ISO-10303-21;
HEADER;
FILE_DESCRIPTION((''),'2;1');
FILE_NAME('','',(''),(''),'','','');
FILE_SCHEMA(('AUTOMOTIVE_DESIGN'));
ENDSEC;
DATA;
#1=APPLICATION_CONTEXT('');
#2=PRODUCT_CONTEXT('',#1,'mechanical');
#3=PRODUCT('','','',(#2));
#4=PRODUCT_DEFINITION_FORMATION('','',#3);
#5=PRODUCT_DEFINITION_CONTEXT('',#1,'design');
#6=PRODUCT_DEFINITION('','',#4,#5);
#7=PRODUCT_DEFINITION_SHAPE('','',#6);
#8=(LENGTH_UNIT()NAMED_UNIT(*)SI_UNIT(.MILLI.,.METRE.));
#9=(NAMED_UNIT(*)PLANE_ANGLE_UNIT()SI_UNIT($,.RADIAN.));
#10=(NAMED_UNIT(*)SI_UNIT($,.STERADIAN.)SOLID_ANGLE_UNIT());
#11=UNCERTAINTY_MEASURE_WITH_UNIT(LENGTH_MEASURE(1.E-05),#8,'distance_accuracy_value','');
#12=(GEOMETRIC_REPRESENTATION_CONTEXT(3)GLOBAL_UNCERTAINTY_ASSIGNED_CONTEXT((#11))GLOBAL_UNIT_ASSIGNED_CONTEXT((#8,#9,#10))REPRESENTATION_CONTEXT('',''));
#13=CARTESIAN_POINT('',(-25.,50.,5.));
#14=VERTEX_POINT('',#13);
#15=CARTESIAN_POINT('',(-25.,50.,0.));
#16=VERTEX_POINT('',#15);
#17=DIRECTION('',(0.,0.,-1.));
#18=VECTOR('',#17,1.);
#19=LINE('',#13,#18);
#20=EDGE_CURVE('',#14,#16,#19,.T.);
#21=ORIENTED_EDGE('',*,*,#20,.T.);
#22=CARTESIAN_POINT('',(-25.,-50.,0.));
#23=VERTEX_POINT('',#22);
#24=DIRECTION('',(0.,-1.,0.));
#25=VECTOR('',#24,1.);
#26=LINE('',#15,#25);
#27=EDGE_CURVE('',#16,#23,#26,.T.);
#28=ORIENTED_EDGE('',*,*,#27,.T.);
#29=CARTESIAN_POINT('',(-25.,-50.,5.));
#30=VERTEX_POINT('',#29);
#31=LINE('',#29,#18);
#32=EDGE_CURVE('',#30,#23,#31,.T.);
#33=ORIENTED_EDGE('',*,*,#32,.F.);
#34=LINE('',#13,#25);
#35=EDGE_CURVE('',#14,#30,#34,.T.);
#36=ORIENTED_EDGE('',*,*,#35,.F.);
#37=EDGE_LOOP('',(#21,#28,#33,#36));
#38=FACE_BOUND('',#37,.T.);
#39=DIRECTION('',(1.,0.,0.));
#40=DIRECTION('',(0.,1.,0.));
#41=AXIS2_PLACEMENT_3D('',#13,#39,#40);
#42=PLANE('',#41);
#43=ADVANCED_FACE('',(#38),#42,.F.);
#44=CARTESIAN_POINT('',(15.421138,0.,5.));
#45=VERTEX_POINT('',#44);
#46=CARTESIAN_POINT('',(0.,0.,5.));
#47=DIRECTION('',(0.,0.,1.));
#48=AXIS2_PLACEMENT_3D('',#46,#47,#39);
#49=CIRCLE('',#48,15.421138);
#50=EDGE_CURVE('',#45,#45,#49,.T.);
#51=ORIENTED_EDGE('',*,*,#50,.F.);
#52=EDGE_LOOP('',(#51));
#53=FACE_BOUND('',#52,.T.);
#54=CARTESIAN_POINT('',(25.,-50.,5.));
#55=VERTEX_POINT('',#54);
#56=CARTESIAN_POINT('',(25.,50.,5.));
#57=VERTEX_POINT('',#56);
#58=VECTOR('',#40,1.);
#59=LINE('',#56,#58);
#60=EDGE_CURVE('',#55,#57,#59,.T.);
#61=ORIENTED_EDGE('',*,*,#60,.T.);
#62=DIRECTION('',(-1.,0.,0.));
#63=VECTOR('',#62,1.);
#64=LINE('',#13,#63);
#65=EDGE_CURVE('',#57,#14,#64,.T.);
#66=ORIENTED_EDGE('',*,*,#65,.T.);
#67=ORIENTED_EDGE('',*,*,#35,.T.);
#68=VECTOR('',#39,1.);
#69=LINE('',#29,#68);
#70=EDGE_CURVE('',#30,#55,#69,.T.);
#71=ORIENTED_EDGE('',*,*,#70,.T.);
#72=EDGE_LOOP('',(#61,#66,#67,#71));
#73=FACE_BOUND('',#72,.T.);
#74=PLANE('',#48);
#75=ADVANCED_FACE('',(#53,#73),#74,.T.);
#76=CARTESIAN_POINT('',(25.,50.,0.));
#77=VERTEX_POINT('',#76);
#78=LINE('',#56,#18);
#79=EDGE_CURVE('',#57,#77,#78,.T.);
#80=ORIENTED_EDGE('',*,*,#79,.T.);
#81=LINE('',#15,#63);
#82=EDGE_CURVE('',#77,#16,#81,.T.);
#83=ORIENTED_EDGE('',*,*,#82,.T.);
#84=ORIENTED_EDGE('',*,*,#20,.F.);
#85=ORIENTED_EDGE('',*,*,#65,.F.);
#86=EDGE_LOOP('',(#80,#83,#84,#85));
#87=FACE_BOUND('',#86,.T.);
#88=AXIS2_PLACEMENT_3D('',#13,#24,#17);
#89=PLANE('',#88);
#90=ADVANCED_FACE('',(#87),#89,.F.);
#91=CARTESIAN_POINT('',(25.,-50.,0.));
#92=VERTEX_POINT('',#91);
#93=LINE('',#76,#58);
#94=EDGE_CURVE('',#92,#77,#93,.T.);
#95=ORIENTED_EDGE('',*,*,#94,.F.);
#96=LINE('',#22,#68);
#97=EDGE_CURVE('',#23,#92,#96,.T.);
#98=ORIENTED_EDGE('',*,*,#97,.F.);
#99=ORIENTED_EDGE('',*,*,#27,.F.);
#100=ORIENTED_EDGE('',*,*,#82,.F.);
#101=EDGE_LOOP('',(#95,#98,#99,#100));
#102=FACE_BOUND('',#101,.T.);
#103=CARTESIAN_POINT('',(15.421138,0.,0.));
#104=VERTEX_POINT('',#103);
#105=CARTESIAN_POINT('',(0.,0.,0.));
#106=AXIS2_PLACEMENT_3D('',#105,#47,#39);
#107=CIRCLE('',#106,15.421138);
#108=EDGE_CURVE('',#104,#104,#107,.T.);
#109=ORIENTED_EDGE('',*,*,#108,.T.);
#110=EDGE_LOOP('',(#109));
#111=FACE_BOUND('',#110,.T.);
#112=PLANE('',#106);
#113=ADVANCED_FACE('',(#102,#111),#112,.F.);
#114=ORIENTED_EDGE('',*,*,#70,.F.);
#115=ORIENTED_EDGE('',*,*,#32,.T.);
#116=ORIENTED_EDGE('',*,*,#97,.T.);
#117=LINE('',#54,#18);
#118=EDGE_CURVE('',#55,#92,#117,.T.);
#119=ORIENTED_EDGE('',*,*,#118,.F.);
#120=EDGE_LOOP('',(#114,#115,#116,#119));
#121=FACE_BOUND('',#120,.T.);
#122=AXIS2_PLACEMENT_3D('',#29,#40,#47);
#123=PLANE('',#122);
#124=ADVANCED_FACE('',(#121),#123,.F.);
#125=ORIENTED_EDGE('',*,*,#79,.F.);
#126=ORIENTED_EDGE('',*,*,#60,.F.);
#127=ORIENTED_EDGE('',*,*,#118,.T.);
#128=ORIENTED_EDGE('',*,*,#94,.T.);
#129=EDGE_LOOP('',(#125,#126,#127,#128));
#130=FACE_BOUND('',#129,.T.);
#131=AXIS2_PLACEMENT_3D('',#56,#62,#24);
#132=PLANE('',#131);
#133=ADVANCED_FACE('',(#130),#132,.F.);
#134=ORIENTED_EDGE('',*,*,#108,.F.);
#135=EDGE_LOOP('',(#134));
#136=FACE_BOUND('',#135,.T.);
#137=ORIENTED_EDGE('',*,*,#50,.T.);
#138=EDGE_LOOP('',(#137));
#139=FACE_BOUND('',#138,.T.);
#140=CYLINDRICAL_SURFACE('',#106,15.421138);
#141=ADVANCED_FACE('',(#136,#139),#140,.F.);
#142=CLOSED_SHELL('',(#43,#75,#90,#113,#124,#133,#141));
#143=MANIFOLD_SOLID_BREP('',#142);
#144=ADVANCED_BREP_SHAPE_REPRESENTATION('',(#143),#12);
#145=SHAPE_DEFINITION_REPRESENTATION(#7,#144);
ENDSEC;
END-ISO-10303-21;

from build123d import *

# Parameters (mm, degrees)
SKETCH1_W           = 50
SKETCH1_H           = 100
BOSS_EXTRUDE1_DEPTH = 5
SKETCH2_R           = 15.421138397
CUT_EXTRUDE1_DEPTH  = 5


with BuildPart() as part:
    # Sketch1 → Boss-Extrude1 (new body)
    with BuildSketch(Plane.XY):
        Rectangle(SKETCH1_W, SKETCH1_H)
    extrude(amount=BOSS_EXTRUDE1_DEPTH)

    # Sketch2 → Cut-Extrude1 (cut)
    with BuildSketch(Plane.XY.offset(5)):
        Circle(SKETCH2_R)
    extrude(amount=-CUT_EXTRUDE1_DEPTH, mode=Mode.SUBTRACT)


solid = part.part
